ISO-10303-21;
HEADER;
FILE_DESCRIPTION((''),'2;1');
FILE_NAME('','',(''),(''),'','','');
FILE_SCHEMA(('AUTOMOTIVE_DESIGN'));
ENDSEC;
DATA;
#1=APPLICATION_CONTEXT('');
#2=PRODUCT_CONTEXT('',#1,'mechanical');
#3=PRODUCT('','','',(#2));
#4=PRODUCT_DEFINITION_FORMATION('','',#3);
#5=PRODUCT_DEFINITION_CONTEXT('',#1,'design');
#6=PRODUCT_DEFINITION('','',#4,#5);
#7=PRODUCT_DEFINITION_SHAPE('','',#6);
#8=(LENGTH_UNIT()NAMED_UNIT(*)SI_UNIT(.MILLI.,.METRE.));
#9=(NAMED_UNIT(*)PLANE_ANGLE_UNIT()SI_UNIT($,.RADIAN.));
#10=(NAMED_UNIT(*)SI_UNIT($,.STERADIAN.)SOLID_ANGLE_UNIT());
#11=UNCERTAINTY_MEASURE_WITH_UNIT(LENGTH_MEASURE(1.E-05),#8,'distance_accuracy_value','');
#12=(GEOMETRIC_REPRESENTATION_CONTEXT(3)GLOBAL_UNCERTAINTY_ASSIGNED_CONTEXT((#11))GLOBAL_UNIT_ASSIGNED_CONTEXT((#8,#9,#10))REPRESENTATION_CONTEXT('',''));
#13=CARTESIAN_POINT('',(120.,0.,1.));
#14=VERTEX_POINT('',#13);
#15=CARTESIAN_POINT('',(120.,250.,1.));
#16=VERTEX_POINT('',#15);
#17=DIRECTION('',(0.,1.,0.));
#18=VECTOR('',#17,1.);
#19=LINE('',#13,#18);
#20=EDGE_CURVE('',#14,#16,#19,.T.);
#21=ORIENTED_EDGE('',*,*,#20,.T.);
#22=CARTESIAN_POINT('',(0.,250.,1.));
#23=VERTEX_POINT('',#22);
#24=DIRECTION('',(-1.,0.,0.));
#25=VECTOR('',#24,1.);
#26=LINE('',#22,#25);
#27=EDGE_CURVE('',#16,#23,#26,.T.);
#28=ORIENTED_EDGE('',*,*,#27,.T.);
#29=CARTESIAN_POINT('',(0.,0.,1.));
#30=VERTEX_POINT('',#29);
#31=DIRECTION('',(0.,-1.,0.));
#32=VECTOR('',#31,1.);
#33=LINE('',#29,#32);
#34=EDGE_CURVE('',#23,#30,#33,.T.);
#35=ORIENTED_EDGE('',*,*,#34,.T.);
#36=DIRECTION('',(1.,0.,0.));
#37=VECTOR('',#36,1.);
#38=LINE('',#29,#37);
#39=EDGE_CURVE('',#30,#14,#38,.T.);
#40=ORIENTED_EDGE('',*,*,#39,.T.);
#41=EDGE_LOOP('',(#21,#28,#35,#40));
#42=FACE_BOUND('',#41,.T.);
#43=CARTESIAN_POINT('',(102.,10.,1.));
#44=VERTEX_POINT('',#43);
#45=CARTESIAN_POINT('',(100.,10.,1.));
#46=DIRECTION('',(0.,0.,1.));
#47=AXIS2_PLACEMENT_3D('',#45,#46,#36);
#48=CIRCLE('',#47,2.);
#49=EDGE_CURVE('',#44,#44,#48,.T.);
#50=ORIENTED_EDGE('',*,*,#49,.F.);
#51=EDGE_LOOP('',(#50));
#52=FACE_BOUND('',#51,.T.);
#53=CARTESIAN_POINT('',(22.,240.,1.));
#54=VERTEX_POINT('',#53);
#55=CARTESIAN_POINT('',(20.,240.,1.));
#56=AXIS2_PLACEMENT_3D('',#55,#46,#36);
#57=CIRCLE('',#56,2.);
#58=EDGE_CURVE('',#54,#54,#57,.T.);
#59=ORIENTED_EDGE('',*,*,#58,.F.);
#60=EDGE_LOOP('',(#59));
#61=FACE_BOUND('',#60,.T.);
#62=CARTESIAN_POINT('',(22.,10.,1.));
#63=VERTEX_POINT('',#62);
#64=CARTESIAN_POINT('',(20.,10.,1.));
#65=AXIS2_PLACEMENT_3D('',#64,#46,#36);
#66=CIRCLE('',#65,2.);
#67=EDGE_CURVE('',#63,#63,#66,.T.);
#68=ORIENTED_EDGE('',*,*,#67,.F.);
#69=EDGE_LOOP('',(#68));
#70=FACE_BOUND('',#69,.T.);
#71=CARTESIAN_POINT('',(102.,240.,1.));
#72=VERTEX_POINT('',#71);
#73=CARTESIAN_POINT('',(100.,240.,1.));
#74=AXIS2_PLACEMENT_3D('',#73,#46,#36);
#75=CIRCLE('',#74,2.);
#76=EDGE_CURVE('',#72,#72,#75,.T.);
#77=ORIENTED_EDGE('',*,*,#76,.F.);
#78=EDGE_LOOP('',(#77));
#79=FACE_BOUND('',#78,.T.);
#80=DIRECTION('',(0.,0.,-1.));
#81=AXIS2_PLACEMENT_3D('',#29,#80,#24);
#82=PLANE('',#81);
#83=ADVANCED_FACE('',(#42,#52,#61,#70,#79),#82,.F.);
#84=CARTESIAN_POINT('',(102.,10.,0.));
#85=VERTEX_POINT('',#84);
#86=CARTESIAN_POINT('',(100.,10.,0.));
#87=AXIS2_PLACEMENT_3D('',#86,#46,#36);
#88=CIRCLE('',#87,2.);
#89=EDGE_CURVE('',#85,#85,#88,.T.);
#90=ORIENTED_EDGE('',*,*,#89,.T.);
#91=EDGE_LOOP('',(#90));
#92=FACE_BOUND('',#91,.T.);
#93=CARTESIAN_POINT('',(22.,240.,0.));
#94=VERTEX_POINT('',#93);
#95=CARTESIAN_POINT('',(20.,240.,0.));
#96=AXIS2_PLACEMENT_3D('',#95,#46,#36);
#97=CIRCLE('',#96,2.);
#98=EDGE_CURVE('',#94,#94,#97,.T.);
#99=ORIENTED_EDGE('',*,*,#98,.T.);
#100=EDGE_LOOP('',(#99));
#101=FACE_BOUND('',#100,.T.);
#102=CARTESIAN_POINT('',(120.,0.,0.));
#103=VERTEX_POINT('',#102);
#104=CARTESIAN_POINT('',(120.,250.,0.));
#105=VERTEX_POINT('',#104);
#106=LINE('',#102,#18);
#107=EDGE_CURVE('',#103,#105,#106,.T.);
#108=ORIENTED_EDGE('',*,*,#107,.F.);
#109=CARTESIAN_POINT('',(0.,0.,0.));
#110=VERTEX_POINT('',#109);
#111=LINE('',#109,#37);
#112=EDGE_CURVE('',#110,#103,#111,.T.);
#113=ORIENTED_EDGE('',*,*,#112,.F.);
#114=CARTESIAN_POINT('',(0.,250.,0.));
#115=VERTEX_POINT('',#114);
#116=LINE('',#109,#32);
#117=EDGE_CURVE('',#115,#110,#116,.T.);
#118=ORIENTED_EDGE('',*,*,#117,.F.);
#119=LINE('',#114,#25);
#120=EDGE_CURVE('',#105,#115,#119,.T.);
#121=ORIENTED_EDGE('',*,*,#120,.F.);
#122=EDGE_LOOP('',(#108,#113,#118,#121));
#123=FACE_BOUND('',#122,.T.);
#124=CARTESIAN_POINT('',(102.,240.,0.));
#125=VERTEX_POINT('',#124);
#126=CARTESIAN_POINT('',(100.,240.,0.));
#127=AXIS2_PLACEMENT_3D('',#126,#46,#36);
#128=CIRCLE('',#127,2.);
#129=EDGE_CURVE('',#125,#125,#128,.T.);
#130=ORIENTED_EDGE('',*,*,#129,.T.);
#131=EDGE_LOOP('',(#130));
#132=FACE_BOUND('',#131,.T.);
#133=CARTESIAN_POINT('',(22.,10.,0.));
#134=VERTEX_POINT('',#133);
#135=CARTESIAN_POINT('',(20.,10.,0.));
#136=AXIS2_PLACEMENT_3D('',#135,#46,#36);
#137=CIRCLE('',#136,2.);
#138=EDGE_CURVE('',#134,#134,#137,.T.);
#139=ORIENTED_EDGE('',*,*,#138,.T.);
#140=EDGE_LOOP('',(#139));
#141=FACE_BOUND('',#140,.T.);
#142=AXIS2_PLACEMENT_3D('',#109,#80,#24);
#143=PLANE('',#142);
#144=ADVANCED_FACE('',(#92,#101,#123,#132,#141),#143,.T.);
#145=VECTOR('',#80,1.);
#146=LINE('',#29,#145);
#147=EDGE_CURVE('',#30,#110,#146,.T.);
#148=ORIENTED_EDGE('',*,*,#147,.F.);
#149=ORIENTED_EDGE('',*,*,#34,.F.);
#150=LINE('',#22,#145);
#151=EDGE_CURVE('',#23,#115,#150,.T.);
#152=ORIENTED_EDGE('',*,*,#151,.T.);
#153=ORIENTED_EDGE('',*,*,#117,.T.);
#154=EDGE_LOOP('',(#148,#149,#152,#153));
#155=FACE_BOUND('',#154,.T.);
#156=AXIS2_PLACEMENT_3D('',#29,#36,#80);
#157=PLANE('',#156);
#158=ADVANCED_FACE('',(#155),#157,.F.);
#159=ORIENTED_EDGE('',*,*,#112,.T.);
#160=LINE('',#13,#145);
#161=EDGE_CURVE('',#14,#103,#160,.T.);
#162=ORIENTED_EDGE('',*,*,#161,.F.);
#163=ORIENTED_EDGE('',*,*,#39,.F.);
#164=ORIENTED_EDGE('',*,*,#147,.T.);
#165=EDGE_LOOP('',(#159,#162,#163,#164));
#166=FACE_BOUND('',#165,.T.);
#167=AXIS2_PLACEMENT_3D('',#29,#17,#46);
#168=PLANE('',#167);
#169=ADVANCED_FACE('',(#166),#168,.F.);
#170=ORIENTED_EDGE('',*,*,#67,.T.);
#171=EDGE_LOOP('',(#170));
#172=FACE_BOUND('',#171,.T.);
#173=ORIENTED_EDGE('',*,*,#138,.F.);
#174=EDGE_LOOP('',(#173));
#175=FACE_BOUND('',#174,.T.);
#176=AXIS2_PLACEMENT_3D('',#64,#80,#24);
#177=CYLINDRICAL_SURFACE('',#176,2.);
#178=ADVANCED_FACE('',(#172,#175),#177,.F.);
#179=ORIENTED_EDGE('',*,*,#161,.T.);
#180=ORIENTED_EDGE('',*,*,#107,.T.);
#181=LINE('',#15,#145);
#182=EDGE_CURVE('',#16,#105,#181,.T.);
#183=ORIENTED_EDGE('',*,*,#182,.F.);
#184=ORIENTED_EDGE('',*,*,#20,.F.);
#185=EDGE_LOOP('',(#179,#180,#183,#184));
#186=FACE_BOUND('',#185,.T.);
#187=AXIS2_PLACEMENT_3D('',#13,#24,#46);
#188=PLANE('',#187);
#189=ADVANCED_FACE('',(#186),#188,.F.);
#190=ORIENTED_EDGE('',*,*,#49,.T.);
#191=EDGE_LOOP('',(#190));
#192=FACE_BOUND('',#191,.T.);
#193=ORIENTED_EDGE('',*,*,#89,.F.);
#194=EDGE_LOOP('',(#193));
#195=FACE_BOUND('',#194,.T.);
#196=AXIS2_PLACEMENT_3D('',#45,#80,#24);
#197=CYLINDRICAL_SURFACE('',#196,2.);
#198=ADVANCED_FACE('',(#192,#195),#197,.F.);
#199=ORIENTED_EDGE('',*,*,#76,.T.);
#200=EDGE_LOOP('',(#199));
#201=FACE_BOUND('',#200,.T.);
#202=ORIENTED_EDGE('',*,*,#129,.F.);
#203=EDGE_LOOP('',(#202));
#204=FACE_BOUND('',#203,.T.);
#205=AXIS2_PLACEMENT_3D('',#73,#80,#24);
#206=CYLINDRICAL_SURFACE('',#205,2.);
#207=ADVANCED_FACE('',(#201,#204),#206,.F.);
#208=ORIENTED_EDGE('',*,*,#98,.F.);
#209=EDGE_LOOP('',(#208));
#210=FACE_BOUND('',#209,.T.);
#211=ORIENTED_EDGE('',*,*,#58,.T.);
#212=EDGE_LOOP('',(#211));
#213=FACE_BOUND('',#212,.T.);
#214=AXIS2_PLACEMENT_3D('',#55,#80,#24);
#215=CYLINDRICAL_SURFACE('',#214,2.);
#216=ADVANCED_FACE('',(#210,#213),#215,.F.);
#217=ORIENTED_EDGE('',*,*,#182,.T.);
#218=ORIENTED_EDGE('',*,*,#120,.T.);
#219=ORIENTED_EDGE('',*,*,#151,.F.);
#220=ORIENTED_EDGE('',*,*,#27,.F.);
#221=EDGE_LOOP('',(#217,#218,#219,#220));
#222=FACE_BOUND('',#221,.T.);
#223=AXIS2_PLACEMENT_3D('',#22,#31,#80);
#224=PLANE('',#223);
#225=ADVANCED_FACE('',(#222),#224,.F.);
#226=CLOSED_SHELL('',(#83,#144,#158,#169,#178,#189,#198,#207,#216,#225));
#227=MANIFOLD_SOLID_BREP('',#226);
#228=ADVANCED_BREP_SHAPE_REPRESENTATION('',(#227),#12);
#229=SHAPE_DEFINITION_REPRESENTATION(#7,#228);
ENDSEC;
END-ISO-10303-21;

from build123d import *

# Parameters (mm, degrees)
ESQUISSE1_W        = 120
ESQUISSE1_H        = 250
ESQUISSE1_R        = 2
BOSS_EXTRU_1_DEPTH = 1


with BuildPart() as part:
    # Esquisse1 → Boss.-Extru.1 (new body)
    with BuildSketch(Plane.XY):
        with Locations((60, 125)):
            Rectangle(ESQUISSE1_W, ESQUISSE1_H)
        with Locations((20, 240)):
            Circle(ESQUISSE1_R, mode=Mode.SUBTRACT)
        with Locations((100, 240)):
            Circle(ESQUISSE1_R, mode=Mode.SUBTRACT)
        with Locations((100, 10)):
            Circle(ESQUISSE1_R, mode=Mode.SUBTRACT)
        with Locations((20, 10)):
            Circle(ESQUISSE1_R, mode=Mode.SUBTRACT)
    extrude(amount=BOSS_EXTRU_1_DEPTH)


solid = part.part
